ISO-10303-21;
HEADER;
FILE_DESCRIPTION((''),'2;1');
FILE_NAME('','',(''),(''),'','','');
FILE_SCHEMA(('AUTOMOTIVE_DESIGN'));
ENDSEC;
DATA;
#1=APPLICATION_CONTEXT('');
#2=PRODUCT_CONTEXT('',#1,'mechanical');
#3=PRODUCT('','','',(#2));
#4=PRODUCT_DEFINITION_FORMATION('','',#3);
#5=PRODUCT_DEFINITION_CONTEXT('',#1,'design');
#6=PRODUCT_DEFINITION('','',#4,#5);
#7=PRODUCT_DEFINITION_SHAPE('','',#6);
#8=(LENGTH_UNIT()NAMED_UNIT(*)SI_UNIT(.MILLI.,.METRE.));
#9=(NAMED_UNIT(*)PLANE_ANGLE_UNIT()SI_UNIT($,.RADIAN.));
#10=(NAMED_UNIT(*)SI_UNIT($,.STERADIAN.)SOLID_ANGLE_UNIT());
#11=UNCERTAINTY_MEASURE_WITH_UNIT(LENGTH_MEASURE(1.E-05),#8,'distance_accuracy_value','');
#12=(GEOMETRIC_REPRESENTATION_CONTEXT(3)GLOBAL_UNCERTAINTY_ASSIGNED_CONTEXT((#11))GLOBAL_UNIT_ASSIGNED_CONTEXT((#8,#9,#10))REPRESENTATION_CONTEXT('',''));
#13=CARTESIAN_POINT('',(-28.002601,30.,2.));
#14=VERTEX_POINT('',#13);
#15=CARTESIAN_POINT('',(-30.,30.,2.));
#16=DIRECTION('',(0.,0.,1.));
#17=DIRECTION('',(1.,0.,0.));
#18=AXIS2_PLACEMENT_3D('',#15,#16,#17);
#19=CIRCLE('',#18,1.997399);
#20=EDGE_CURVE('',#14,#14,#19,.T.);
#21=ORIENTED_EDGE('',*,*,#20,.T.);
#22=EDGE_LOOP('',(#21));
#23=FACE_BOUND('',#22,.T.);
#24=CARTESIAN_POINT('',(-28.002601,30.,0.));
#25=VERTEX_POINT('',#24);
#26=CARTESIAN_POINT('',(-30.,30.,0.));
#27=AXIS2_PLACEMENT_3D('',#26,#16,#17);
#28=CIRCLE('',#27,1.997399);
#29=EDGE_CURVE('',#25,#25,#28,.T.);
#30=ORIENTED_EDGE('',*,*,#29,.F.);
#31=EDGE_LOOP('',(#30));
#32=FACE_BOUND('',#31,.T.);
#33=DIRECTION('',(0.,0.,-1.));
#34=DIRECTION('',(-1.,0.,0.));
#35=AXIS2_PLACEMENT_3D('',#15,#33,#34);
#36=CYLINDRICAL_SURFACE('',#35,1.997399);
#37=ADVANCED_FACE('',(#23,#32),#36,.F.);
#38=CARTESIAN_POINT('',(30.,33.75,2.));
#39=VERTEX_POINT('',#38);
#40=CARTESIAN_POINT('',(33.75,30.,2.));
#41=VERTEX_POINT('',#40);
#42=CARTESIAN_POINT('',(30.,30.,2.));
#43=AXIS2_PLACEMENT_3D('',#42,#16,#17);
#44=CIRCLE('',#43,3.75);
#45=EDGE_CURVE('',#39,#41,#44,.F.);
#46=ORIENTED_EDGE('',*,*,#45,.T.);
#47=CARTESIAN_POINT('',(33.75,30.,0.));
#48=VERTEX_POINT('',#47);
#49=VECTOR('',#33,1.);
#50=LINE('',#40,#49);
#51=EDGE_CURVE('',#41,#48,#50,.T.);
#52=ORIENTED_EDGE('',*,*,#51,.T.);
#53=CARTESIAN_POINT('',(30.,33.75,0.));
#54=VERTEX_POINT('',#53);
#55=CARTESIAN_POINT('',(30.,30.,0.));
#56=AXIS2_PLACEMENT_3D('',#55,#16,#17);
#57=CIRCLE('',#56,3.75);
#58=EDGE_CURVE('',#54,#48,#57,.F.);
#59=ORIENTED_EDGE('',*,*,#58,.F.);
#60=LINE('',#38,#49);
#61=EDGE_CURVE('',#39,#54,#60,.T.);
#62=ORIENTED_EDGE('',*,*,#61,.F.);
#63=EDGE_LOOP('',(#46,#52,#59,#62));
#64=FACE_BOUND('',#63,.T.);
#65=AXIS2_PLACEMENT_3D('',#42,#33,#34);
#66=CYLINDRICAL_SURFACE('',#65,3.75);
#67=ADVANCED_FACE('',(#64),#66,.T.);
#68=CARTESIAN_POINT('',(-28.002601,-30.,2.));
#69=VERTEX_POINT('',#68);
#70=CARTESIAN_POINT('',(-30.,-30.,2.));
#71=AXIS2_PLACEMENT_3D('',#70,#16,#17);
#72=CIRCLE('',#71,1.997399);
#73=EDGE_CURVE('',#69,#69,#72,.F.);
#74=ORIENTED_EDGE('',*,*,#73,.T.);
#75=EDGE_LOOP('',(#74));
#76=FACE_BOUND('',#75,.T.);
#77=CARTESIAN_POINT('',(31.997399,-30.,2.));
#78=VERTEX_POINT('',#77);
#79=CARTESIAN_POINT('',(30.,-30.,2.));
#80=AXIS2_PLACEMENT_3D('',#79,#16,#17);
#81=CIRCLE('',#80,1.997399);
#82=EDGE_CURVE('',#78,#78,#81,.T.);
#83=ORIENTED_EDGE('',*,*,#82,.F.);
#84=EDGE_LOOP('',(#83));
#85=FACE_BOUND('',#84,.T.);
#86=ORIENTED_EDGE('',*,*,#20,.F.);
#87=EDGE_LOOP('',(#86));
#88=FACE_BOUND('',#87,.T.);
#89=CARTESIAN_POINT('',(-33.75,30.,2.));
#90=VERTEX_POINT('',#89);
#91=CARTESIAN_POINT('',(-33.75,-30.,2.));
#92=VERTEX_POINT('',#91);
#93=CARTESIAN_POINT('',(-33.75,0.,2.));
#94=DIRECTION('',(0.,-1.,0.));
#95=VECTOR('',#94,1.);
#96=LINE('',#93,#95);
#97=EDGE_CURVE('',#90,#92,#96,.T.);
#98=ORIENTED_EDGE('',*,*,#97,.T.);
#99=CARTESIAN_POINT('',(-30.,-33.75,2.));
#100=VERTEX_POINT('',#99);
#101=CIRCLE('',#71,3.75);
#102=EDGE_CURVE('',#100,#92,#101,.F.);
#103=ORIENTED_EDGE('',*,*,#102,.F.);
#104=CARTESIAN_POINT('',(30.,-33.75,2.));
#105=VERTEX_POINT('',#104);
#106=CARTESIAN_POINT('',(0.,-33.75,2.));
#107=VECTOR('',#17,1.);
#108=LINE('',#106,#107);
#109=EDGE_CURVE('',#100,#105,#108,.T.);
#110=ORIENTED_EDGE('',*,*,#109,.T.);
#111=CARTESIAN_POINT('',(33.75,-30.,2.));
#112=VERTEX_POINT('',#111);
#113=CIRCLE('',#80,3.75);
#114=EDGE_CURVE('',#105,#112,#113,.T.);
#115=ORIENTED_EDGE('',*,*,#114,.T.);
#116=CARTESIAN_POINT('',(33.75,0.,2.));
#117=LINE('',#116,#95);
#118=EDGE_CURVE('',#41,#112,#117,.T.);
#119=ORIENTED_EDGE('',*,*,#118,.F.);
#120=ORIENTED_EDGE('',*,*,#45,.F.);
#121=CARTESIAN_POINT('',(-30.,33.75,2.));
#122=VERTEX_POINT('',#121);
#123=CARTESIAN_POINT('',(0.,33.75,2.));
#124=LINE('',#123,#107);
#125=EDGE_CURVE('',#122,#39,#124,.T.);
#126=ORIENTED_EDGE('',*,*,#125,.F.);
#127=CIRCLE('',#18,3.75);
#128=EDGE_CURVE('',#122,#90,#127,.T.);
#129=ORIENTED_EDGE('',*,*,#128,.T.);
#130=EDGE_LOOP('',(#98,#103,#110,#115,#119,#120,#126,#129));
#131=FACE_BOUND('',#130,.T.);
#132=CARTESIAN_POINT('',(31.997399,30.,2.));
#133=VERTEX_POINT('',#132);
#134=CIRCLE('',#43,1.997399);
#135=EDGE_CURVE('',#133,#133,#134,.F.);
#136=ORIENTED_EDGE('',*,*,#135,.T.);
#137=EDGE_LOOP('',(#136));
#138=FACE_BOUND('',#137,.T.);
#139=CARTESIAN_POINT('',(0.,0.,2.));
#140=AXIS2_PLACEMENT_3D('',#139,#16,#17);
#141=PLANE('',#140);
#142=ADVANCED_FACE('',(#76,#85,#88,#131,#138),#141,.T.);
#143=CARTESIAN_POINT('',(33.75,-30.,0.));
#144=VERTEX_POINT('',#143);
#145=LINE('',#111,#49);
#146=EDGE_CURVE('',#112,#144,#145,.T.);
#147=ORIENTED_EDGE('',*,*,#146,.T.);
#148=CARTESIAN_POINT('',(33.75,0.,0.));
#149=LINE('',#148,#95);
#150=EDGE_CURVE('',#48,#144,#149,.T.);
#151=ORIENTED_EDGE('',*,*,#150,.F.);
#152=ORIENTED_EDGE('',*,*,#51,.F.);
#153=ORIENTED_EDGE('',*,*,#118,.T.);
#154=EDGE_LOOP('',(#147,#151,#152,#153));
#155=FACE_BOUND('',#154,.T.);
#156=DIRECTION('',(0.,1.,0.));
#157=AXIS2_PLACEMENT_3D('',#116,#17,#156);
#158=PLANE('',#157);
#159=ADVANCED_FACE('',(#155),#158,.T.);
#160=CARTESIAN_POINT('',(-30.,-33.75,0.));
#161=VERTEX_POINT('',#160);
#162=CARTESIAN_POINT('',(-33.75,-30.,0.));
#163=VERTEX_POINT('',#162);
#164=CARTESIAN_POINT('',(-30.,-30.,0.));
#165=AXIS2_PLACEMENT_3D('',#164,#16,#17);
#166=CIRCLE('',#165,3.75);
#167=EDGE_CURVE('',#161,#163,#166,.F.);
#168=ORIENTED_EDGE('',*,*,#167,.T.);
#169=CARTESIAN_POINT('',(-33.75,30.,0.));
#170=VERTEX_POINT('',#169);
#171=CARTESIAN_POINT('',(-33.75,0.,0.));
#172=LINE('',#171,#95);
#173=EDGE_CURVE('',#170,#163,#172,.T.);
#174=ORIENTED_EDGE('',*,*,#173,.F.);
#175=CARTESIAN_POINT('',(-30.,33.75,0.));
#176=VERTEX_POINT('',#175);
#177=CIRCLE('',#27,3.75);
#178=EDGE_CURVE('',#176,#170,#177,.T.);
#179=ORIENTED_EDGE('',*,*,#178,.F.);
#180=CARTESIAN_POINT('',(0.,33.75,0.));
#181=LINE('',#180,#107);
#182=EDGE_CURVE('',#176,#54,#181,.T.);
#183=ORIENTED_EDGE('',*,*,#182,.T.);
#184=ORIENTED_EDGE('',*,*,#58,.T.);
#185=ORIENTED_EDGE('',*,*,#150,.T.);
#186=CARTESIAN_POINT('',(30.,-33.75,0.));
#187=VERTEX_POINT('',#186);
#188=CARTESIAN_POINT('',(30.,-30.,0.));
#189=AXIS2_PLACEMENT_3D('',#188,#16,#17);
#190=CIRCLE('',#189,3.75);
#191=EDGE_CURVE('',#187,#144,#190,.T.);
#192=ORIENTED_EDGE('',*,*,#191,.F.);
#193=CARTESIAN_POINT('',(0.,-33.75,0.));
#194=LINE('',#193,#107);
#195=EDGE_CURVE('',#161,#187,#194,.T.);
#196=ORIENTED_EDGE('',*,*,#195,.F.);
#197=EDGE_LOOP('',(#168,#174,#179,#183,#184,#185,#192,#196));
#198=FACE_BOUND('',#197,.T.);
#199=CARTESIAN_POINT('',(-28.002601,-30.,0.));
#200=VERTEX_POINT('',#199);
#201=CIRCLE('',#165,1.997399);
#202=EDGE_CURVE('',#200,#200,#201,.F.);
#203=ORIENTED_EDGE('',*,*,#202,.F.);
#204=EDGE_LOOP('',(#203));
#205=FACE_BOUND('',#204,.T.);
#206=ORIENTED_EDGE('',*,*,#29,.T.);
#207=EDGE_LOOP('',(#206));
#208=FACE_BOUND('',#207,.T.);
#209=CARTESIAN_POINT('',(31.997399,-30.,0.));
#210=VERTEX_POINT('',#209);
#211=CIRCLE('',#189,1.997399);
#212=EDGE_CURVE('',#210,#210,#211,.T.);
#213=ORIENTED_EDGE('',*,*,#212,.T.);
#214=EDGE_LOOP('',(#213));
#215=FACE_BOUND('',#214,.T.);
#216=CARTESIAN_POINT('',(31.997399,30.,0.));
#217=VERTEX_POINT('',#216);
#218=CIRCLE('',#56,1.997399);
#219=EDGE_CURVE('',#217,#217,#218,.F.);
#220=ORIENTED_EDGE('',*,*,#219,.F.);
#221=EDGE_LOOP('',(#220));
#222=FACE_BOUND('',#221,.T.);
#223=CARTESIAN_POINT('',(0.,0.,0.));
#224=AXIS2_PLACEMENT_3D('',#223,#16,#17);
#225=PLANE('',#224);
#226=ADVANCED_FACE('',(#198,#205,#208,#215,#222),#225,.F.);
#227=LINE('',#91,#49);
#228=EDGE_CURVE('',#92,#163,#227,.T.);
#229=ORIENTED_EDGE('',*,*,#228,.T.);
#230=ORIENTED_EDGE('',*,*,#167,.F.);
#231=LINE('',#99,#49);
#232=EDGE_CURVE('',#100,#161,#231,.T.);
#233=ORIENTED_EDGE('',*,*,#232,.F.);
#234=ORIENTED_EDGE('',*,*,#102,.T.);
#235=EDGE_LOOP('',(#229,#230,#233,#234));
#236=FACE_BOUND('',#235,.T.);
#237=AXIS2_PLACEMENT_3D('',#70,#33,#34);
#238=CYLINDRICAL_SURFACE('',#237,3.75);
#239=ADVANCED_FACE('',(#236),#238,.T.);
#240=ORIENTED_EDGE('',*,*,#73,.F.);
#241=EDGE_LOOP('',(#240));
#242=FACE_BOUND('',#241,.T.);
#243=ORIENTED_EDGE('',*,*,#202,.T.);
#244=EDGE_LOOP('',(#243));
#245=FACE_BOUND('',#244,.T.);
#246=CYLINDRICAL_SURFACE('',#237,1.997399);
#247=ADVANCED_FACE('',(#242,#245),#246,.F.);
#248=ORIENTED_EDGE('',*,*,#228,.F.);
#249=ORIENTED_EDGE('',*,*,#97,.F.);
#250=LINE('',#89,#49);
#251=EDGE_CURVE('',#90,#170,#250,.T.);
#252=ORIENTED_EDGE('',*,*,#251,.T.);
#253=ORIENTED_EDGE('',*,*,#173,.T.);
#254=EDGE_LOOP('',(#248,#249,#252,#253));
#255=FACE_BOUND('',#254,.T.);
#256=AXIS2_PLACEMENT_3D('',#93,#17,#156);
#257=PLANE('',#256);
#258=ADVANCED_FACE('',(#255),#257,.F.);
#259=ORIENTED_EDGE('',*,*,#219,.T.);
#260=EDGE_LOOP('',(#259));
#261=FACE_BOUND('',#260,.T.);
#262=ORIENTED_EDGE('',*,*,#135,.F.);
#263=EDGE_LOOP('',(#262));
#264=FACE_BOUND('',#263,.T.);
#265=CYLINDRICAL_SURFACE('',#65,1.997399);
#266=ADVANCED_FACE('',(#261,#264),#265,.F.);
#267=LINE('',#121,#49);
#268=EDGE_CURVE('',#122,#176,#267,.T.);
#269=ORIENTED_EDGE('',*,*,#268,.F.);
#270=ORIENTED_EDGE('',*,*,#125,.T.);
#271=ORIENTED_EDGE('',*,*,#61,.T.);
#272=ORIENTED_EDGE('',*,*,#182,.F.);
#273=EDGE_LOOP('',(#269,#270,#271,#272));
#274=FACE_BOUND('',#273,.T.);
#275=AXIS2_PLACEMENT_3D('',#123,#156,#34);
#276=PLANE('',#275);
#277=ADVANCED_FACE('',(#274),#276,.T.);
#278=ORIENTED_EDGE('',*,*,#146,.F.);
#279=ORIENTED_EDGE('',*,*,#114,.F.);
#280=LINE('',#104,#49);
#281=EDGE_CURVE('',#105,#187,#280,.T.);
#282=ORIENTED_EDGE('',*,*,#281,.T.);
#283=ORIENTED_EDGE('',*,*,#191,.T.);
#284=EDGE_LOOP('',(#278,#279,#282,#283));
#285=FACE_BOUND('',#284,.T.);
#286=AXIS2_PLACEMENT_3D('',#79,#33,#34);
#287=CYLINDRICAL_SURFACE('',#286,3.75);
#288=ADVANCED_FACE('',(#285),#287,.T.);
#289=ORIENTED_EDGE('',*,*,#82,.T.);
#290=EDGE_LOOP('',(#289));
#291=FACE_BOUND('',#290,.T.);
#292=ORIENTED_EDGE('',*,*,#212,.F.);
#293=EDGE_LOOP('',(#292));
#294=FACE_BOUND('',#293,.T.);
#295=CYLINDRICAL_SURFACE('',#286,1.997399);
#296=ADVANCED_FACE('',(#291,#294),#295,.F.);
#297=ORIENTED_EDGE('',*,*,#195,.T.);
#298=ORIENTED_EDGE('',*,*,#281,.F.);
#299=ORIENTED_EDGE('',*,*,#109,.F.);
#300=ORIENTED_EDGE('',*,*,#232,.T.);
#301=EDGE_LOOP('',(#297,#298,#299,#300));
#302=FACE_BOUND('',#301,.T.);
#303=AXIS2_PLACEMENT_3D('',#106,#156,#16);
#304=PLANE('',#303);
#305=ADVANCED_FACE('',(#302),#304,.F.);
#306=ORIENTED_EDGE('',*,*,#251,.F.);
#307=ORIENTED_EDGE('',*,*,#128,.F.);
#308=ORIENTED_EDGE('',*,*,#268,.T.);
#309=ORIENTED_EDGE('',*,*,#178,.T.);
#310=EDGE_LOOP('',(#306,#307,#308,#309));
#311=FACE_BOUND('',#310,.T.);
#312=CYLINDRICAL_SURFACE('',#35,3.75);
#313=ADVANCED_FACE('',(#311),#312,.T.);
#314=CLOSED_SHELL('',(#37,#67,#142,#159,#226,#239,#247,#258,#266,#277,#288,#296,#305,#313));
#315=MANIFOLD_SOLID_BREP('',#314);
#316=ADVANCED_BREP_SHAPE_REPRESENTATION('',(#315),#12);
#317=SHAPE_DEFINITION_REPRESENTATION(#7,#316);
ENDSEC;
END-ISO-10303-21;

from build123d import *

# Parameters (mm, degrees)
SKETCH1_R           = 1.997398612
BOSS_EXTRUDE2_DEPTH = 2


with BuildPart() as part:
    # Sketch1 → Boss-Extrude2 (new body)
    with BuildSketch(Plane.XY):
        with BuildLine():
            Line((30, 33.75), (-30, 33.75))
            ThreePointArc((-30, 33.75), (-32.651650429, 32.651650429), (-33.75, 30))
            Line((-33.75, 30), (-33.75, -30))
            ThreePointArc((-33.75, -30), (-32.651650429, -32.651650429), (-30, -33.75))
            Line((-30, -33.75), (30, -33.75))
            ThreePointArc((30, -33.75), (32.651650429, -32.651650429), (33.75, -30))
            Line((33.75, -30), (33.75, 30))
            ThreePointArc((33.75, 30), (32.651650429, 32.651650429), (30, 33.75))
        make_face()
        with Locations((30, -30)):
            Circle(SKETCH1_R, mode=Mode.SUBTRACT)
        with Locations((30, 30)):
            Circle(SKETCH1_R, mode=Mode.SUBTRACT)
        with Locations((-30, 30)):
            Circle(SKETCH1_R, mode=Mode.SUBTRACT)
        with Locations((-30, -30)):
            Circle(SKETCH1_R, mode=Mode.SUBTRACT)
    extrude(amount=BOSS_EXTRUDE2_DEPTH)


solid = part.part
